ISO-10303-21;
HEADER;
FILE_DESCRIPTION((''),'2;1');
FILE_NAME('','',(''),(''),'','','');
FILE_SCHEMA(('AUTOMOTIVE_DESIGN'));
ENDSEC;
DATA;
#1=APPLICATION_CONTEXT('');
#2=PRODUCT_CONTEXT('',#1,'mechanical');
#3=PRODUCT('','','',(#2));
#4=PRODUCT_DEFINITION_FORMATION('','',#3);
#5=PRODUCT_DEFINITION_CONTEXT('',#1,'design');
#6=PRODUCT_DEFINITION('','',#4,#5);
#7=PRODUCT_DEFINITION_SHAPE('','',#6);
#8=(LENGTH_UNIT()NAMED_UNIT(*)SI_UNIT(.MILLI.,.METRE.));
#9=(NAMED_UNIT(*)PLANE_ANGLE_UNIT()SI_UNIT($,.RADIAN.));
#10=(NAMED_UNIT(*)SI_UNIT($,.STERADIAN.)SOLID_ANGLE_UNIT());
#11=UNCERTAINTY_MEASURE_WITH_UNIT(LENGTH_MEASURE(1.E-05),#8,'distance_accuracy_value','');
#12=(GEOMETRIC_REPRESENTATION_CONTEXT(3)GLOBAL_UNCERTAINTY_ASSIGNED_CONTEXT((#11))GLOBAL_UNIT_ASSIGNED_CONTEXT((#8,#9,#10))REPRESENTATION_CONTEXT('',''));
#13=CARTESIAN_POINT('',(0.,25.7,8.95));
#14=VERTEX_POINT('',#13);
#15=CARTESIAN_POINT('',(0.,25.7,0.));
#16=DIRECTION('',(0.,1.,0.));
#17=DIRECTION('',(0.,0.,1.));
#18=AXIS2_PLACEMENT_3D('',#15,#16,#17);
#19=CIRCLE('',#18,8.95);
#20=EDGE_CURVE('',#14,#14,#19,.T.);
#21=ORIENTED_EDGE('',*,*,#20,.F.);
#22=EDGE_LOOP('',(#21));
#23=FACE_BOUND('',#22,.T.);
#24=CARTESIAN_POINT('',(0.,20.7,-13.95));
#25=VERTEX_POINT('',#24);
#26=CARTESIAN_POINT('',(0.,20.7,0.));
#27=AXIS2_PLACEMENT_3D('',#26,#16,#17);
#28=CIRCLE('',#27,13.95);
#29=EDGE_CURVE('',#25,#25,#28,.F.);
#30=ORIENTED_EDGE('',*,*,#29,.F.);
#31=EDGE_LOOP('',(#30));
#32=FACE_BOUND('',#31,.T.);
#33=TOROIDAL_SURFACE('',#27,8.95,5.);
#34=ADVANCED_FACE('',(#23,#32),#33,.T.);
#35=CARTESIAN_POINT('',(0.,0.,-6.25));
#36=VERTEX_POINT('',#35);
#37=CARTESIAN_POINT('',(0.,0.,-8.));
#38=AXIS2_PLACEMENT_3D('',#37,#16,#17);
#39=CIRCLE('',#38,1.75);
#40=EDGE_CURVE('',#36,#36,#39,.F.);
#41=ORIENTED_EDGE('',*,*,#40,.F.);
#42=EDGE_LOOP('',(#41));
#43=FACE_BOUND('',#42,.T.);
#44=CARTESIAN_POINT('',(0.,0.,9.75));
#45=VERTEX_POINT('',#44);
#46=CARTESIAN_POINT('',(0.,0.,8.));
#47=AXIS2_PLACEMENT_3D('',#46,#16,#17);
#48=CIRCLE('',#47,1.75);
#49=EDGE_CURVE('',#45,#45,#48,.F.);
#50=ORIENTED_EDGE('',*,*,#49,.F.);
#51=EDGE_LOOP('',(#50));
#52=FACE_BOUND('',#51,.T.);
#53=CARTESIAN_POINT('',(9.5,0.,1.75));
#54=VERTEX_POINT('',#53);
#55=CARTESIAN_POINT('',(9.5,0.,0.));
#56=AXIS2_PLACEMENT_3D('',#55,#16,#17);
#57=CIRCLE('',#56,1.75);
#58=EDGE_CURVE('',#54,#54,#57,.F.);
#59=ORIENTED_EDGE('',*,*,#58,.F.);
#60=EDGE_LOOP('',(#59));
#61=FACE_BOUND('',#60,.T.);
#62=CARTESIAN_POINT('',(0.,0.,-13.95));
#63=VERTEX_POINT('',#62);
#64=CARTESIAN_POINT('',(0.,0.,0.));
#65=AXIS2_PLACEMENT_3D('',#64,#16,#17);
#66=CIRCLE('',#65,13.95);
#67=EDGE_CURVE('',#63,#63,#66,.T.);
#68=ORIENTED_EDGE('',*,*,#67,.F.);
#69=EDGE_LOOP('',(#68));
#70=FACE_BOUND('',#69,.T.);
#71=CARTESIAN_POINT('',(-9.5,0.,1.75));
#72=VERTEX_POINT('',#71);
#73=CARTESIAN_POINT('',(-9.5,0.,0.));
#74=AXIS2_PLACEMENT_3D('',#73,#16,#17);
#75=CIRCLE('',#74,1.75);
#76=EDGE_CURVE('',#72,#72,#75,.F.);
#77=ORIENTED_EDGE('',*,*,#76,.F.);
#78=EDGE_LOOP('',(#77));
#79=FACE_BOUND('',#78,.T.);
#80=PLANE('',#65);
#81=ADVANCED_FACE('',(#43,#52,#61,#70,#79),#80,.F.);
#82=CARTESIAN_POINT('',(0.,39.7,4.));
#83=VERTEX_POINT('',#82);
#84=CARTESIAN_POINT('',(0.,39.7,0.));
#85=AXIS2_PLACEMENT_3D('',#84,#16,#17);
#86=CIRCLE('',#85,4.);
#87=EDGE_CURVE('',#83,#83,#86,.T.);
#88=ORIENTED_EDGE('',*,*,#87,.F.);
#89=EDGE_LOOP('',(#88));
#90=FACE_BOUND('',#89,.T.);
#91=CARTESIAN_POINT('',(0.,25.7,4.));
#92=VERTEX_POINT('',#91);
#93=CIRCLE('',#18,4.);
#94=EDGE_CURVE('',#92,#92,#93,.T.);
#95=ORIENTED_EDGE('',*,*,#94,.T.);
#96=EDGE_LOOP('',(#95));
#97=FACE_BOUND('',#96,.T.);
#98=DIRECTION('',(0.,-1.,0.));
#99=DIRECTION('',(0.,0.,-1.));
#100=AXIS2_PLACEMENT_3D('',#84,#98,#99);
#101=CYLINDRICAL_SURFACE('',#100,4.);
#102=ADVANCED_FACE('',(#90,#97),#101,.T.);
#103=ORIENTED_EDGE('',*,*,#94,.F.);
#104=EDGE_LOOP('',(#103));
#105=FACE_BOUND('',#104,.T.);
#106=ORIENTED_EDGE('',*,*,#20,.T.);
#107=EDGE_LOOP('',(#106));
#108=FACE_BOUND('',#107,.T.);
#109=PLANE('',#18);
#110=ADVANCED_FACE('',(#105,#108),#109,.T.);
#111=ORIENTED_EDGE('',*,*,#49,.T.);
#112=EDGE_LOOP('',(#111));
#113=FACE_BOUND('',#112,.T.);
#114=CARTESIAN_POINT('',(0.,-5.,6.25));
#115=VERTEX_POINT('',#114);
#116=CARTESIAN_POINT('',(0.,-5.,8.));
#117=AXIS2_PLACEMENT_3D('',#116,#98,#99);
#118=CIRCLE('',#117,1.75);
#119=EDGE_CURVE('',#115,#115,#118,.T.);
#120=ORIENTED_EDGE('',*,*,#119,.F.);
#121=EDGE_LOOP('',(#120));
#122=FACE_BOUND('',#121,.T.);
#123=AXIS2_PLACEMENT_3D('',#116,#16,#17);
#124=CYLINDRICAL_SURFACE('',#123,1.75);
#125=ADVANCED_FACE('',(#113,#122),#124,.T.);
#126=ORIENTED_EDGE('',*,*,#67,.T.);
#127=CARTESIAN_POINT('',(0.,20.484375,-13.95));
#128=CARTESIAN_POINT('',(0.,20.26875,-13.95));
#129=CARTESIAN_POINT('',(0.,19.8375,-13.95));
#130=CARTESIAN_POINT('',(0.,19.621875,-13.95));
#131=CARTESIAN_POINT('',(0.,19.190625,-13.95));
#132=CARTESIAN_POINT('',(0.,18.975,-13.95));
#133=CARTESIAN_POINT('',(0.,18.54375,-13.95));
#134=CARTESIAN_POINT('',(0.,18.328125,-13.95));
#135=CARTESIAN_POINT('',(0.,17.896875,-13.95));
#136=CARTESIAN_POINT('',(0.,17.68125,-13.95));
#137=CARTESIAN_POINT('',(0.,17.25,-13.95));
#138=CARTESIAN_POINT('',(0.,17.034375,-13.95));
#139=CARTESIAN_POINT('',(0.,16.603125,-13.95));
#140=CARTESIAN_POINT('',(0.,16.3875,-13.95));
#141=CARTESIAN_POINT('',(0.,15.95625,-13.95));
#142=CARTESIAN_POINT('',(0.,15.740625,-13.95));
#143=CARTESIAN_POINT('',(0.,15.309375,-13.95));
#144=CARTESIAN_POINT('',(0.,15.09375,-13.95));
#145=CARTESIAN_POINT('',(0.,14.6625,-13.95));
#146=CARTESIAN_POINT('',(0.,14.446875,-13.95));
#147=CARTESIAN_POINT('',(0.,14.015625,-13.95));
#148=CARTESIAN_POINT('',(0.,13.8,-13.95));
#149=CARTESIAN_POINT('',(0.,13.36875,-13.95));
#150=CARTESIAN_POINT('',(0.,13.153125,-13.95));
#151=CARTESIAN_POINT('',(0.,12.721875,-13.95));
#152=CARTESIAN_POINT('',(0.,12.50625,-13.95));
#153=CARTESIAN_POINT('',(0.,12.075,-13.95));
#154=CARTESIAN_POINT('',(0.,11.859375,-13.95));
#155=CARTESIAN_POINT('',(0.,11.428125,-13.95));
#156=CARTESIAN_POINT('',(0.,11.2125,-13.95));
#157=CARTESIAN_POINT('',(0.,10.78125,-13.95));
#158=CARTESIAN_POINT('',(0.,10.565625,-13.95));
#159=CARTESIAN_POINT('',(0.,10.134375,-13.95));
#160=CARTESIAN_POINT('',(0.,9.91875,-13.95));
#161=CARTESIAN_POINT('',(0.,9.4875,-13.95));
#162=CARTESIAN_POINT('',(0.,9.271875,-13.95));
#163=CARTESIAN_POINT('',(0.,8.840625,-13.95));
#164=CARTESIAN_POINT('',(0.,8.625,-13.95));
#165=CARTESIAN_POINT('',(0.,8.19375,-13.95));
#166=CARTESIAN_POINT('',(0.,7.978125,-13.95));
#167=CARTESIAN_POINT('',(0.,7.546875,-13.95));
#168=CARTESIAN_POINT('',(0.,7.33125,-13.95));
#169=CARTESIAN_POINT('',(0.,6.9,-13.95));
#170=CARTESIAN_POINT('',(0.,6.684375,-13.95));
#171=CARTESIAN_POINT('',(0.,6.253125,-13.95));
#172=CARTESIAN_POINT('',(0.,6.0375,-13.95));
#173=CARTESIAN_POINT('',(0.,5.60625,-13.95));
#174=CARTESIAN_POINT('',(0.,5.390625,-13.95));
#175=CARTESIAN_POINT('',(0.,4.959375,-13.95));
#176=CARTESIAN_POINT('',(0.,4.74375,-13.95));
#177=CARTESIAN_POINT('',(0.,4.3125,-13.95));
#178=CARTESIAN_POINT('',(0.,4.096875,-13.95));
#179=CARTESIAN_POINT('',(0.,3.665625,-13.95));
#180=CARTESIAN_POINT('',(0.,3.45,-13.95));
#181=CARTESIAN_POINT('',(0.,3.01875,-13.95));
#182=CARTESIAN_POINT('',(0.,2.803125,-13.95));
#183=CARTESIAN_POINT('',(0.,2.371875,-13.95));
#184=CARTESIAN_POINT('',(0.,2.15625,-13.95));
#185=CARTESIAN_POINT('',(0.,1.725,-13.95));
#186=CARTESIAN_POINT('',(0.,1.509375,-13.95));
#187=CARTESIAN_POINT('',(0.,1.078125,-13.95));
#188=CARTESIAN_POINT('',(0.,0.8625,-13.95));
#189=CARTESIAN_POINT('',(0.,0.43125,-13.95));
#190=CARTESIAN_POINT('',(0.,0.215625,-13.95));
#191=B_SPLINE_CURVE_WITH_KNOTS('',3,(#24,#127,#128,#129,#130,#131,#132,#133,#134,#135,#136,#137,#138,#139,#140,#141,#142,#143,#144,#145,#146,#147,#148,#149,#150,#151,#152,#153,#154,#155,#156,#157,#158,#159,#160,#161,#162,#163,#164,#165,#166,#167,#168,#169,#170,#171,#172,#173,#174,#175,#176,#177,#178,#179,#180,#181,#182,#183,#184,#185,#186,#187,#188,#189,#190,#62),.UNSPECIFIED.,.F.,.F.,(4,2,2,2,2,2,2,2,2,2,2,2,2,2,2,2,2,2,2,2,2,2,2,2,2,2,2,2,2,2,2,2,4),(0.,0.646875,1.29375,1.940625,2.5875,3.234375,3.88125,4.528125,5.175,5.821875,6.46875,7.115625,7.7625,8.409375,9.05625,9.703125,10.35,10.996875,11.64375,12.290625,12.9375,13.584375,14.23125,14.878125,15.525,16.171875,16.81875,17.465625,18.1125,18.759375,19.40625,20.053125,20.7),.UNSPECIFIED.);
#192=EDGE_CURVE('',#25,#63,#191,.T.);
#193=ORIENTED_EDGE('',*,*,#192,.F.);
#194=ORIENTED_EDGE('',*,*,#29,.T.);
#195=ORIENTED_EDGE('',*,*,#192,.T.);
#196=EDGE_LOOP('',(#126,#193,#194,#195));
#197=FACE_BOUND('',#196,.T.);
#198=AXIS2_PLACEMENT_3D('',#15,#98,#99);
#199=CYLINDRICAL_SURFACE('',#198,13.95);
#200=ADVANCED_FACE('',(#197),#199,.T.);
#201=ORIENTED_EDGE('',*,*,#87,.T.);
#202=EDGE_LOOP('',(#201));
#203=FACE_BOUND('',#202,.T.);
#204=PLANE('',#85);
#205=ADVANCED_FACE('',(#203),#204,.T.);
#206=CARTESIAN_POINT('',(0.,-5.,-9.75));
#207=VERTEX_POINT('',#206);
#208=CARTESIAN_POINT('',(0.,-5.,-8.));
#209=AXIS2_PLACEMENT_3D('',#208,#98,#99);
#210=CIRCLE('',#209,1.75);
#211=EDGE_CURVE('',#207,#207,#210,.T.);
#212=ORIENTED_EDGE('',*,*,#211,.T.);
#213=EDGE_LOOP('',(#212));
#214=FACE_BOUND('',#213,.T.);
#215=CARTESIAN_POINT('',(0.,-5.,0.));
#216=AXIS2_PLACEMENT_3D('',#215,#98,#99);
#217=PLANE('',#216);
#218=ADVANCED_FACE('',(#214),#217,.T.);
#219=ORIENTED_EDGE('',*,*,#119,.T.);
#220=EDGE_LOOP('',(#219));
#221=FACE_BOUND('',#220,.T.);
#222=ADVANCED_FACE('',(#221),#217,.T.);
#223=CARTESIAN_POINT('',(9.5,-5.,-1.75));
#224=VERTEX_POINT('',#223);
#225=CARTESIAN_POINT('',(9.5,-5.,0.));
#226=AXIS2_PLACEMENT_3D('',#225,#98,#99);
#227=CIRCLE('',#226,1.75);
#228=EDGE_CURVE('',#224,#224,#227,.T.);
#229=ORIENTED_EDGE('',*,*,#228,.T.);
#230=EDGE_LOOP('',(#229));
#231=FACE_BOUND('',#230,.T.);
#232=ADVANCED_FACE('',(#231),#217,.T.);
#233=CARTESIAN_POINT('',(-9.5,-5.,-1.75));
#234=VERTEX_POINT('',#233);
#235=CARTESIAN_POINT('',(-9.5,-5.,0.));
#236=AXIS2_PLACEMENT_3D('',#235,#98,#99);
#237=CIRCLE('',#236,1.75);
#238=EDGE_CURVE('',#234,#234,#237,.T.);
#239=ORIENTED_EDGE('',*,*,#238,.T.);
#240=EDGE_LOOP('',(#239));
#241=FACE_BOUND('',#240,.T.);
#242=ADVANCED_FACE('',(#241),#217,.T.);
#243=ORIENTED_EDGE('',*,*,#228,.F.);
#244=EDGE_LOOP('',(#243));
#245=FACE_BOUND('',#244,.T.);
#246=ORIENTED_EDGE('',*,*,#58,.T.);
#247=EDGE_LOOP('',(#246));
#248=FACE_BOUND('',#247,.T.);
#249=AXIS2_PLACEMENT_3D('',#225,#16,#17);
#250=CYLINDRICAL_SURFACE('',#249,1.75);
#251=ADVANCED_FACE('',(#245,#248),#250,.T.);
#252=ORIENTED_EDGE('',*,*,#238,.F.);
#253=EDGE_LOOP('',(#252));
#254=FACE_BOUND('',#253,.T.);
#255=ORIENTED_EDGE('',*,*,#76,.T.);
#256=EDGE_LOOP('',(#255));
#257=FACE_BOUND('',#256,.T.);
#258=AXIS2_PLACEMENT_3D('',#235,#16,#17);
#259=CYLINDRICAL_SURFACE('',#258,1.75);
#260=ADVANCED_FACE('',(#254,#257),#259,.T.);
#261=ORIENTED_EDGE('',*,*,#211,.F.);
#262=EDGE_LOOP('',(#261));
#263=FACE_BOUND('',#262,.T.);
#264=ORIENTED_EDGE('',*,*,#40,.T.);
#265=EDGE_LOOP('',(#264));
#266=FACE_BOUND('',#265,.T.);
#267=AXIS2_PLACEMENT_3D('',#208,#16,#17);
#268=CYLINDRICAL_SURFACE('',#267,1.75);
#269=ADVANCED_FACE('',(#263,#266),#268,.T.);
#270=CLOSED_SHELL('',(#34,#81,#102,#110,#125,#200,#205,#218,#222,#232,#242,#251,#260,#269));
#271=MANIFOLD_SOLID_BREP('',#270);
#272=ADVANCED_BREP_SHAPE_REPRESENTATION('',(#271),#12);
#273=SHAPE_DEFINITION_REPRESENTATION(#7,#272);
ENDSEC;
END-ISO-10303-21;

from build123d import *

# Parameters (mm, degrees)
SKETCH1_R           = 13.95
BOSS_EXTRUDE1_DEPTH = 25.7
FILLET1_R           = 5
SKETCH2_R           = 4
BOSS_EXTRUDE2_DEPTH = 14
BOSS_EXTRUDE3_DEPTH = 5


with BuildPart() as part:
    # Sketch1 → Boss-Extrude1 (new body)
    with BuildSketch(Plane(origin=(0, 0, 0), x_dir=(1, 0, 0), z_dir=(0, 1, 0))):
        with Locations(Location((0, 0, 0), (0, 0, 90))):
            Circle(SKETCH1_R)
    extrude(amount=BOSS_EXTRUDE1_DEPTH)

    # Fillet1
    fillet1_edges = [part.edges().sort_by_distance(p)[0] for p in [
        (0, 25.7, 13.95),
    ]]
    fillet(fillet1_edges, radius=FILLET1_R)

    # Sketch2 → Boss-Extrude2 (add)
    with BuildSketch(Plane(origin=(0, 25.7, 0), x_dir=(1, 0, 0), z_dir=(0, 1, 0))):
        with Locations(Location((0, 0, 0), (0, 0, 270))):
            Circle(SKETCH2_R)
    extrude(amount=BOSS_EXTRUDE2_DEPTH)

    # Sketch3 → Boss-Extrude3 (add)
    with BuildSketch(Plane.XZ):
        with BuildLine():
            ThreePointArc((0, 9.75), (-1.75, 8), (0, 6.25))
            Line((0, 6.25), (0, 9.75))
        make_face()
        with BuildLine():
            Line((0, 9.75), (0, 6.25))
            ThreePointArc((0, 6.25), (1.237436867, 6.762563133), (1.75, 8))
            ThreePointArc((1.75, 8), (1.237436867, 9.237436867), (0, 9.75))
        make_face()
        with BuildLine():
            ThreePointArc((-11.25, 0), (-9.5, -1.75), (-7.75, 0))
            Line((-7.75, 0), (-11.25, 0))
        make_face()
        with BuildLine():
            Line((-11.25, 0), (-7.75, 0))
            ThreePointArc((-7.75, 0), (-9.5, 1.75), (-11.25, 0))
        make_face()
        with BuildLine():
            ThreePointArc((1.75, -8), (1.237436867, -6.762563133), (0, -6.25))
            Line((0, -6.25), (0, -9.75))
            ThreePointArc((0, -9.75), (1.237436867, -9.237436867), (1.75, -8))
        make_face()
        with BuildLine():
            Line((0, -9.75), (0, -6.25))
            ThreePointArc((0, -6.25), (-1.75, -8), (0, -9.75))
        make_face()
        with BuildLine():
            ThreePointArc((7.75, 0), (9.5, -1.75), (11.25, 0))
            Line((11.25, 0), (7.75, 0))
        make_face()
        with BuildLine():
            Line((7.75, 0), (11.25, 0))
            ThreePointArc((11.25, 0), (9.5, 1.75), (7.75, 0))
        make_face()
    extrude(amount=BOSS_EXTRUDE3_DEPTH)


solid = part.part
